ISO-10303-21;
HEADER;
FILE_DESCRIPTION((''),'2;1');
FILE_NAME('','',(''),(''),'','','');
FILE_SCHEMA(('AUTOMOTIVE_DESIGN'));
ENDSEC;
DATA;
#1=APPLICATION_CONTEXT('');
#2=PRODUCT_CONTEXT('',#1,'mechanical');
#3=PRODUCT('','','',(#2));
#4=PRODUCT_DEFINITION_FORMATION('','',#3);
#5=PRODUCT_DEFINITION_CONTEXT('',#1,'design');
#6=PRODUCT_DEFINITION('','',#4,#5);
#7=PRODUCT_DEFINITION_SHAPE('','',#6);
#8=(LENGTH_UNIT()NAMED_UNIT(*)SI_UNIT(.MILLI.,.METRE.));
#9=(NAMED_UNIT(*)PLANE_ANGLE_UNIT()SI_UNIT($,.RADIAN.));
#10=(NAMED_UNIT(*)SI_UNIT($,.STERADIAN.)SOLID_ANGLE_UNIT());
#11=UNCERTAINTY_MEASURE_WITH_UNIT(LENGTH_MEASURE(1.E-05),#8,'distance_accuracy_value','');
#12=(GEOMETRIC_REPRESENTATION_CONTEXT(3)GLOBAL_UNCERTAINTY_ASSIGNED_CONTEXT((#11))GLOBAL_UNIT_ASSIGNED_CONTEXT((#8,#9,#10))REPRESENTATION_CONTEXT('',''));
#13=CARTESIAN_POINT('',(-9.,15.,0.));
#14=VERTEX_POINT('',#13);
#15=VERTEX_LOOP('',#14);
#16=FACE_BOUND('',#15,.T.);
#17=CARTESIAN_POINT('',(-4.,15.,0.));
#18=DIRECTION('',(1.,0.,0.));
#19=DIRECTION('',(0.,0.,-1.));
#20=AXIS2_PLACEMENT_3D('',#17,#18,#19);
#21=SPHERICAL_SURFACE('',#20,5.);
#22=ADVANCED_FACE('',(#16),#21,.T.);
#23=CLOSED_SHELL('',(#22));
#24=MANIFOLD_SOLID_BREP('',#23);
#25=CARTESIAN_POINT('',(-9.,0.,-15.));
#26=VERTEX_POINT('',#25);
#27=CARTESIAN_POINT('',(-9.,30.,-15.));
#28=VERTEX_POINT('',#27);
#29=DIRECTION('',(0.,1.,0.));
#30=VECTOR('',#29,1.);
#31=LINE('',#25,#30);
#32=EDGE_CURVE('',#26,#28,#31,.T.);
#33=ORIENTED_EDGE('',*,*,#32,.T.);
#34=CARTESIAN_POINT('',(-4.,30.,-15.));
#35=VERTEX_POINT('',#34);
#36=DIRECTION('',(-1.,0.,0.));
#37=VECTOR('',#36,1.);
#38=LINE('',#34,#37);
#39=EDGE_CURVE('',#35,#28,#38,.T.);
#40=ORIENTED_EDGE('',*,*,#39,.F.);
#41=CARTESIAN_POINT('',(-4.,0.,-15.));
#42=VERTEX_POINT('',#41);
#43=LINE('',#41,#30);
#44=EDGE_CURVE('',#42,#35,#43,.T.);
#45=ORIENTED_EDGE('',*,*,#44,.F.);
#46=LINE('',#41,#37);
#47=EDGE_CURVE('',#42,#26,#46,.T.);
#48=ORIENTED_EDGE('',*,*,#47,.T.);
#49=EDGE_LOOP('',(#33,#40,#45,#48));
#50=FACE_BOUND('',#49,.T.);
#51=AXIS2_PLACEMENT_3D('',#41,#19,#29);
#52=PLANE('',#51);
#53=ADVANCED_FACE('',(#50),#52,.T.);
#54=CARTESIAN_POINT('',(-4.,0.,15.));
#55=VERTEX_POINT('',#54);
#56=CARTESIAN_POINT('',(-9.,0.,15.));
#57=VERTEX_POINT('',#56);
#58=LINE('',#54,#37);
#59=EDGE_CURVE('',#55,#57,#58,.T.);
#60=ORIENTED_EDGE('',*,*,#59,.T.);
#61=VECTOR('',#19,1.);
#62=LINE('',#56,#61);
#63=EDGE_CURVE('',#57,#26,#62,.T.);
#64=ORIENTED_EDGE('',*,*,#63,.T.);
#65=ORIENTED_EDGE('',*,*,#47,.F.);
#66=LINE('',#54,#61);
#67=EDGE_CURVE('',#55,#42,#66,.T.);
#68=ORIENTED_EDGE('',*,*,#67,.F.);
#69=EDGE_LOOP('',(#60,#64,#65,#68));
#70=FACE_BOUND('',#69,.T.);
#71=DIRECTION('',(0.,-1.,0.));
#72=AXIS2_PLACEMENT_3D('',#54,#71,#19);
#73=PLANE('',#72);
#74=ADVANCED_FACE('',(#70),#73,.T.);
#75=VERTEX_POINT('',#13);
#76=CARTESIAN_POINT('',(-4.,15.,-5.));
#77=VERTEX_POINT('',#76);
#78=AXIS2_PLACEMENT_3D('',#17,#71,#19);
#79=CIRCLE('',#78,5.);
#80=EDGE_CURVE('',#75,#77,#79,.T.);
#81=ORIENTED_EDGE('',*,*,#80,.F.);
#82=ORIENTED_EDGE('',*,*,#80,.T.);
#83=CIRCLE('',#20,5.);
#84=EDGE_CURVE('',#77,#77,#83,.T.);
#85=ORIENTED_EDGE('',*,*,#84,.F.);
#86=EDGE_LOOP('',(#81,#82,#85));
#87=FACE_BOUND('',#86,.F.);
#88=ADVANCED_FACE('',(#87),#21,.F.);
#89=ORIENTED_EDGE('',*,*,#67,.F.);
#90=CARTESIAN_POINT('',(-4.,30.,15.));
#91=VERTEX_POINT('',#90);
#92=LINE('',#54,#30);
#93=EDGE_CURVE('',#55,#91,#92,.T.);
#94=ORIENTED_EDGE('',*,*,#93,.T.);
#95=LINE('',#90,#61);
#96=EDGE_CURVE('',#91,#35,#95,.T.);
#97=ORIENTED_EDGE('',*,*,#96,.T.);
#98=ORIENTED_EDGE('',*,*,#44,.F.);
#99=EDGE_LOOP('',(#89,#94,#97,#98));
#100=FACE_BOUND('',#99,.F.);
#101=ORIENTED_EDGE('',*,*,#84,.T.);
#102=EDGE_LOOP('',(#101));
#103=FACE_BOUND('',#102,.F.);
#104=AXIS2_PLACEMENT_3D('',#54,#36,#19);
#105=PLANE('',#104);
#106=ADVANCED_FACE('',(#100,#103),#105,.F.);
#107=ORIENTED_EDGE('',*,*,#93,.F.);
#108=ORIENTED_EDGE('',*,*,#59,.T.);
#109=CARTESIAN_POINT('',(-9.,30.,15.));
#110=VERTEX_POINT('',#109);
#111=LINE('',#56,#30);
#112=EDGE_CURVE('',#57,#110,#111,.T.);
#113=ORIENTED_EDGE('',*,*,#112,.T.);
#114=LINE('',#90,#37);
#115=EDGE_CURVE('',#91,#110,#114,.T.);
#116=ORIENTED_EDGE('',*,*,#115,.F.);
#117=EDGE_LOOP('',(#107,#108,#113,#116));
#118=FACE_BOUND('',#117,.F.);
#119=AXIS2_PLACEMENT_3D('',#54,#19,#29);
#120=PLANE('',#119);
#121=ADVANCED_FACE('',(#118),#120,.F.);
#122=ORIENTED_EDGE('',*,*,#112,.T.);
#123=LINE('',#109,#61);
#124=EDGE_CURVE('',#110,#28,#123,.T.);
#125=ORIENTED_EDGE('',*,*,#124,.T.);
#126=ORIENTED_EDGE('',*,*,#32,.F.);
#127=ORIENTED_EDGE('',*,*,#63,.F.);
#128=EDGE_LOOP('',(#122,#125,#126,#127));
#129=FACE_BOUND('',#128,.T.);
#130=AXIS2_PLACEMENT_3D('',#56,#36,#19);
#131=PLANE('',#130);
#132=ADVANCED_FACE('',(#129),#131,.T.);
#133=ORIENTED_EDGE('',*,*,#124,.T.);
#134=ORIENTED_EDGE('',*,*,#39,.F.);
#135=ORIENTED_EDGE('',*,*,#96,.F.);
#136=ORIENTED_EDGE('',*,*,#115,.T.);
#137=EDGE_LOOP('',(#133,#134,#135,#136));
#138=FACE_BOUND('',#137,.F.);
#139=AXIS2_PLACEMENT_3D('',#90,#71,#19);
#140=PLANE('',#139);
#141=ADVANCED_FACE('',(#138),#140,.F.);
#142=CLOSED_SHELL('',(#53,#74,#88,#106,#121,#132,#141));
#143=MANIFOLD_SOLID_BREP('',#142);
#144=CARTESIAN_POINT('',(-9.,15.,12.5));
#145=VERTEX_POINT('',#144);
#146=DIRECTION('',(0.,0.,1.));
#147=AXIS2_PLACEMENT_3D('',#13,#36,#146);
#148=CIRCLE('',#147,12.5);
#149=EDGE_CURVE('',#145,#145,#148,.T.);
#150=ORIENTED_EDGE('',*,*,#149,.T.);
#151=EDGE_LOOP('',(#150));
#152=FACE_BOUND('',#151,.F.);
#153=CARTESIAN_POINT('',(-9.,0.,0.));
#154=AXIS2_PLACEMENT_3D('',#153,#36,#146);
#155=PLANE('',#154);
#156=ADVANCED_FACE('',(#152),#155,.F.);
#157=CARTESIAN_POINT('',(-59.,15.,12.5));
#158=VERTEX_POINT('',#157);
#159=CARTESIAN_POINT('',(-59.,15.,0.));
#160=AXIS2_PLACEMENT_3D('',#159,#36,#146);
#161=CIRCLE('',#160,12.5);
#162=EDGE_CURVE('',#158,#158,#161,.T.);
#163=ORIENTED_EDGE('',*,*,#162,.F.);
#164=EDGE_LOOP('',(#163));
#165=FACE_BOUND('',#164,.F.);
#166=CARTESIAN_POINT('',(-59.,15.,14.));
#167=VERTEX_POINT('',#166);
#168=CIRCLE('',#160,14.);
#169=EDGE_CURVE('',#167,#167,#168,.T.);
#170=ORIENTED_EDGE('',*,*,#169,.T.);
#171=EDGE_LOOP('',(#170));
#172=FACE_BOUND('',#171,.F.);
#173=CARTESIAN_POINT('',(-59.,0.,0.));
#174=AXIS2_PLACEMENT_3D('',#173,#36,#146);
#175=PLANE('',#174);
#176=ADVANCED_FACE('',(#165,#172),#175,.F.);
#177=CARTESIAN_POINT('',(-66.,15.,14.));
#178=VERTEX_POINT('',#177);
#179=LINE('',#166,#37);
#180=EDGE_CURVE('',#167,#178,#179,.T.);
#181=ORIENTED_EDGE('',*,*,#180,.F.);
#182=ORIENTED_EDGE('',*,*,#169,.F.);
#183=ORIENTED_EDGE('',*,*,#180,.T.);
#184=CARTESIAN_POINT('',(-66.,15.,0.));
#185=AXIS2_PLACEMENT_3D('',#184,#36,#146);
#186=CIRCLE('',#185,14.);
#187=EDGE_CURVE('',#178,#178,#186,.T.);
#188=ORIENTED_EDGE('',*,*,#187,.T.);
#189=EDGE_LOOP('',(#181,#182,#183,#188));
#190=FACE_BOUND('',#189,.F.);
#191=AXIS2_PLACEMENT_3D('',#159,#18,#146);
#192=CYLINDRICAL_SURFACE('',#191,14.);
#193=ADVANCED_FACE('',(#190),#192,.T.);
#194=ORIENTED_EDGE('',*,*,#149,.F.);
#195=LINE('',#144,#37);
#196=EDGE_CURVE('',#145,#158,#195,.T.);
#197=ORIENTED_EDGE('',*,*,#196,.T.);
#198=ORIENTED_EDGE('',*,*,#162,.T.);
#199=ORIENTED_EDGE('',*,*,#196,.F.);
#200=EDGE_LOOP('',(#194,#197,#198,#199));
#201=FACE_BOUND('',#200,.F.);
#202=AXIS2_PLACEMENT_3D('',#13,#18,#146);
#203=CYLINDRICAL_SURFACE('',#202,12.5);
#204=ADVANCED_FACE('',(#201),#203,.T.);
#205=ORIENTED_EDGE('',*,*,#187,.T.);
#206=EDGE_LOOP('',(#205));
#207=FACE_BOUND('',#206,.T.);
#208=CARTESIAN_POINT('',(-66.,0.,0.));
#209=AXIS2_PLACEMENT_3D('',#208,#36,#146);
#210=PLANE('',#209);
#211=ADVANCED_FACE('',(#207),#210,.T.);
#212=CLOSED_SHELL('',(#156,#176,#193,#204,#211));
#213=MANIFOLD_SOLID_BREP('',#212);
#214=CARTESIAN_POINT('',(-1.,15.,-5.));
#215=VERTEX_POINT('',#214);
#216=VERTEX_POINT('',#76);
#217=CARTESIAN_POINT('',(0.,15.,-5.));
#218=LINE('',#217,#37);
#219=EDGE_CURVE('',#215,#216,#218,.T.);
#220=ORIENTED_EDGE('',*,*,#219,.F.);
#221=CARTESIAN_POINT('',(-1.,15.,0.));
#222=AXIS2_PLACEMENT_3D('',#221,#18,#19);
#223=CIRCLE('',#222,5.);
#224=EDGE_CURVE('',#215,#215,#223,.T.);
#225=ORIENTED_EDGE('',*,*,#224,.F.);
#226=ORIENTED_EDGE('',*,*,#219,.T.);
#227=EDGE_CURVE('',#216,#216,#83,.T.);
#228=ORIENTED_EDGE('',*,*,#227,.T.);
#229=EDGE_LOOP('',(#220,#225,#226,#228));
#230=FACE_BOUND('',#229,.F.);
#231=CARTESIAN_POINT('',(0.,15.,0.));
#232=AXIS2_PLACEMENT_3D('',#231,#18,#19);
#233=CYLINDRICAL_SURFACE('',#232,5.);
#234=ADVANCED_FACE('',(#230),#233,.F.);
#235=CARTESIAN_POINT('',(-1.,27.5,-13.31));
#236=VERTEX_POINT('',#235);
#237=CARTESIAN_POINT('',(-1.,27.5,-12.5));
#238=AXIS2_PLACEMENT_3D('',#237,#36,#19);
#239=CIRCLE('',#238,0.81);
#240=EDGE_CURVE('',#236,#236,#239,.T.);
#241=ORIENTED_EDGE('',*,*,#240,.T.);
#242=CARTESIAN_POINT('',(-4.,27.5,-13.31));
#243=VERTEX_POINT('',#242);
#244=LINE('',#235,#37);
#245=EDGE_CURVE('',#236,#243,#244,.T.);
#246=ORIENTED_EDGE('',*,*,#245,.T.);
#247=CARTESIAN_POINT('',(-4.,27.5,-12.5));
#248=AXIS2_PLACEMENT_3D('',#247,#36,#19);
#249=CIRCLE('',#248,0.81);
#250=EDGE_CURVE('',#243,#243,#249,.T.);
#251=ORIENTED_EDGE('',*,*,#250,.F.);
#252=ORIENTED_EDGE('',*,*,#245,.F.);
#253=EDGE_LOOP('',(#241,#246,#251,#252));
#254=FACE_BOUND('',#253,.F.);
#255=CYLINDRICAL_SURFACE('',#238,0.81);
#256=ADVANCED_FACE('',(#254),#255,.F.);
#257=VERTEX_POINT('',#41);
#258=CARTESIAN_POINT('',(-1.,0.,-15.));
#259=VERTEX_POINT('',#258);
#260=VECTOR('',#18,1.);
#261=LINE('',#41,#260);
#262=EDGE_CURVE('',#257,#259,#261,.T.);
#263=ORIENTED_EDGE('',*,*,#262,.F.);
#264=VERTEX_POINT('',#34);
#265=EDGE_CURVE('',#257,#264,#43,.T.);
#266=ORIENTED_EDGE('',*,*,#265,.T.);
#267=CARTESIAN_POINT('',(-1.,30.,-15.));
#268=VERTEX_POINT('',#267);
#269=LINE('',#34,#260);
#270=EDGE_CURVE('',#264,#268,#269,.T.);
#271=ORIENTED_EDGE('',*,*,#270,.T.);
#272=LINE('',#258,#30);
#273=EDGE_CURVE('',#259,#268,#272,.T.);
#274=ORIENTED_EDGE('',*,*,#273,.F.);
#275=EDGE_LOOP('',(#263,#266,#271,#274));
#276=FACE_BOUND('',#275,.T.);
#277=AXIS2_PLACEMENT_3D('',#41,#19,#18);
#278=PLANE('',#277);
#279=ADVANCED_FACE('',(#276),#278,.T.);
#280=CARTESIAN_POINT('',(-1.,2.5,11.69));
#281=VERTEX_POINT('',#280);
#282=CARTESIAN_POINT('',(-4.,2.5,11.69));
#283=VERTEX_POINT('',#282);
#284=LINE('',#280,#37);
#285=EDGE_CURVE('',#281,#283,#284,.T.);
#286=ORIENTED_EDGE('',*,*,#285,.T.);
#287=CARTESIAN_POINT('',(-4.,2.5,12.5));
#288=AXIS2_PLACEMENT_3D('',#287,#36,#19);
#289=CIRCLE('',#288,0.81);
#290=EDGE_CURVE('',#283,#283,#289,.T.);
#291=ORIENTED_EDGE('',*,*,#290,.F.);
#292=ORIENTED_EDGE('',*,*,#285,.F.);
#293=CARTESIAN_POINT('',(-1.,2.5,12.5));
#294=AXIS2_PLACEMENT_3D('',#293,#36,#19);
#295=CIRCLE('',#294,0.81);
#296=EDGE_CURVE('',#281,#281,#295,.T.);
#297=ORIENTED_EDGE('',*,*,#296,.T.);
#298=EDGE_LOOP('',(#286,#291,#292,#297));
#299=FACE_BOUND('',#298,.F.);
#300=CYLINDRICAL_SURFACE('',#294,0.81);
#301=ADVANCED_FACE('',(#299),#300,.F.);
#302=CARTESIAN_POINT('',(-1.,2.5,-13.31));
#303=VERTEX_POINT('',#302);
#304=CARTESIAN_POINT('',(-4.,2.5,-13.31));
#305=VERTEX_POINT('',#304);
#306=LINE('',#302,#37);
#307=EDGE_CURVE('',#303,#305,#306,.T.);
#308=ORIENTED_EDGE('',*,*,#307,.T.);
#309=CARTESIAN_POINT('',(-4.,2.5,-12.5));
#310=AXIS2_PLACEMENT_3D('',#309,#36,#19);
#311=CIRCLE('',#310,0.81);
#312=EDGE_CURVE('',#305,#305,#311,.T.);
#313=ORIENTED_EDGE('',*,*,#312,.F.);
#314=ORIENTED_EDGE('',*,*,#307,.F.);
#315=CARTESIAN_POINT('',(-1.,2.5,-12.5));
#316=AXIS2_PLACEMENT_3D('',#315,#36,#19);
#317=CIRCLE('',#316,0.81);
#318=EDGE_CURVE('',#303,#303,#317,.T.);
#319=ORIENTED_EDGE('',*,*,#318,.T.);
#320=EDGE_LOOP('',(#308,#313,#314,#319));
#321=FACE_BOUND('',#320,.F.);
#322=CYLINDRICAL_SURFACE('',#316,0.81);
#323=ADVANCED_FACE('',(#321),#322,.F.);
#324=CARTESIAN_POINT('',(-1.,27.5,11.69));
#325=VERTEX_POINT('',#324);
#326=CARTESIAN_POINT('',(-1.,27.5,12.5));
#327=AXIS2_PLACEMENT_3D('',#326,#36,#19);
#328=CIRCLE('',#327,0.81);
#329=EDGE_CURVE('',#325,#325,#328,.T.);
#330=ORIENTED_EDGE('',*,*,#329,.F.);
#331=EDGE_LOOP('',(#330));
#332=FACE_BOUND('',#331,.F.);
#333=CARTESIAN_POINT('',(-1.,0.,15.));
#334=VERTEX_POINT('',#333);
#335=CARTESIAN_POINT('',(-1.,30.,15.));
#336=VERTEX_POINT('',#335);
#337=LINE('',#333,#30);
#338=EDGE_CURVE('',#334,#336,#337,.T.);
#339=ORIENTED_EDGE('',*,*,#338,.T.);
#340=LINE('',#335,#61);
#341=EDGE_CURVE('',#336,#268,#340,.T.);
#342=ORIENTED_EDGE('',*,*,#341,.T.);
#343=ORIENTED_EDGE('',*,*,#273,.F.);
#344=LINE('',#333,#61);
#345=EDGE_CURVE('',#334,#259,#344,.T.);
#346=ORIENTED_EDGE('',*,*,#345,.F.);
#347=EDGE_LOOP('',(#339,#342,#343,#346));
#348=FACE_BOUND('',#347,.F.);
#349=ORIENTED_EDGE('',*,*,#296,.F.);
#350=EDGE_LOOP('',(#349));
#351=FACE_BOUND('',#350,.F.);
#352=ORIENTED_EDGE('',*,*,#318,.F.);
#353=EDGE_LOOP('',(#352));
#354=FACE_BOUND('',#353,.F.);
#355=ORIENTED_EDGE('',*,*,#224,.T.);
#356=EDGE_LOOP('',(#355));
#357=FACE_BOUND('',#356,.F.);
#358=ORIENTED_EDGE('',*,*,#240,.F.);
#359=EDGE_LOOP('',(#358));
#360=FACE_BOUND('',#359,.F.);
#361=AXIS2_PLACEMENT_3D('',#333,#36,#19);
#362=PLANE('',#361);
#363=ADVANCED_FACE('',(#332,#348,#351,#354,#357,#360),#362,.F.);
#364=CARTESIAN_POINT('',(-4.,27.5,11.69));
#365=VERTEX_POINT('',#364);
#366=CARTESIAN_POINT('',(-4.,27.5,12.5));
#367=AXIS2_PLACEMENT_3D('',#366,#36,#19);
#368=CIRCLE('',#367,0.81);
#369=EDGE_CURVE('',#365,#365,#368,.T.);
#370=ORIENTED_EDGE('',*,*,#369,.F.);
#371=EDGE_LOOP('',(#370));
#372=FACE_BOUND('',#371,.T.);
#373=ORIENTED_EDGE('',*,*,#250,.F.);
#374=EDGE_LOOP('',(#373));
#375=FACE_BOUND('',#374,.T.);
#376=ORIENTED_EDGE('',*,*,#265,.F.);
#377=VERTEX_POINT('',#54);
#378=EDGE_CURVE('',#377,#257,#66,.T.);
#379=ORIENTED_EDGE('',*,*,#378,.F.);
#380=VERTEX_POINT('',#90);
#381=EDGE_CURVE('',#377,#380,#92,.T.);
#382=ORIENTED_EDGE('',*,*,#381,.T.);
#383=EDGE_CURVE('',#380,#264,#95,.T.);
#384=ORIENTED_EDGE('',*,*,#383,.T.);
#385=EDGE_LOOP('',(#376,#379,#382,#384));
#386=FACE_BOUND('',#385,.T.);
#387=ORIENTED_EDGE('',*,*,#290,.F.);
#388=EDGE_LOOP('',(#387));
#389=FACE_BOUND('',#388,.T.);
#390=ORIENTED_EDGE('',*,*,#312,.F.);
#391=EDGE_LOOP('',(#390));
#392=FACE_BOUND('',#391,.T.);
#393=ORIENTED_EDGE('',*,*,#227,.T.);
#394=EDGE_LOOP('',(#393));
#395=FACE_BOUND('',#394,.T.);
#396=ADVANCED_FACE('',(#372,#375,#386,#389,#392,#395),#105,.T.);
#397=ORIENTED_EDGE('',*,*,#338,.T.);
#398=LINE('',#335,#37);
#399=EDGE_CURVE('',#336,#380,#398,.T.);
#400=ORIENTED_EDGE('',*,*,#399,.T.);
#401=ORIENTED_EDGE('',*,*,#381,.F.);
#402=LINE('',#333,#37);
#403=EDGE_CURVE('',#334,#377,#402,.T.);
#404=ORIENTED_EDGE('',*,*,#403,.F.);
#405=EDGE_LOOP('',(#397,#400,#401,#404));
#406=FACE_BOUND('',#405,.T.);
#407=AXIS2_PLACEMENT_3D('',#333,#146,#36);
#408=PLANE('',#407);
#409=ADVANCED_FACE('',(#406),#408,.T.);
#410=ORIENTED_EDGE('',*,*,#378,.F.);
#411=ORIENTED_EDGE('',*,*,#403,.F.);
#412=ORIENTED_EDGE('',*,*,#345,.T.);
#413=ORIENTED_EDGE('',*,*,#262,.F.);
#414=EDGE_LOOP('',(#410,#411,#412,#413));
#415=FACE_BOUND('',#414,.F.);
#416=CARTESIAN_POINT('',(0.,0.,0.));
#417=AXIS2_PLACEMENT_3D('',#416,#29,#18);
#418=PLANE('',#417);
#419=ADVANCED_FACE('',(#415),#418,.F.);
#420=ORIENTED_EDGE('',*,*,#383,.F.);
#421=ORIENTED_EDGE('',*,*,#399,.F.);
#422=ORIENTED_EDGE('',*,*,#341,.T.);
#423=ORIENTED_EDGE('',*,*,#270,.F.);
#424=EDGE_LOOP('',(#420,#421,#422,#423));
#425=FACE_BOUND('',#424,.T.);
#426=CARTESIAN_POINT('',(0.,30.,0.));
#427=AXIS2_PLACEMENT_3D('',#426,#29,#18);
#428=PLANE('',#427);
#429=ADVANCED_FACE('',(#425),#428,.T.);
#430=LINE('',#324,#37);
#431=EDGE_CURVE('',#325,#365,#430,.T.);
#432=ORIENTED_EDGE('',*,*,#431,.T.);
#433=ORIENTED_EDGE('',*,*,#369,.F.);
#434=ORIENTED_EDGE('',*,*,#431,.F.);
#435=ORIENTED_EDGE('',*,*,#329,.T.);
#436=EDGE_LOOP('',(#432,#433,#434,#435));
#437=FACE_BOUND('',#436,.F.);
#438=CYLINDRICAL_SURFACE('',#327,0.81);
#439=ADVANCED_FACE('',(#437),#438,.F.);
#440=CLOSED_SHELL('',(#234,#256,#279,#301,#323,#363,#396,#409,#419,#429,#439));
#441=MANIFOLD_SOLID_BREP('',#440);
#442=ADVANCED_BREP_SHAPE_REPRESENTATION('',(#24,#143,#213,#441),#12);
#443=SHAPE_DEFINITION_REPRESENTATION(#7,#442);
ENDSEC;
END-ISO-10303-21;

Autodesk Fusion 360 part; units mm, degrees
sketch "Sketch1" plane through (0, 0, 0) normal (0, 1, 0) x (1, 0, 0)
  line L0 (-1, -15) -> (-1, 15)
  line L1 (-1, -15) -> (-4, -15)
  line L2 (-4, -15) -> (-4, 15)
  line L3 (-4, 15) -> (-1, 15)
  dimension "d1" = 30
  dimension "d2" = 15
  dimension "d3" = 1
extrude "Extrude1" add sketch "Sketch1" along normal blind 30 makes body 1 in component "Component"
sketch "Sketch2" plane through (0, 0, 0) normal (1, 0, 0) x (0, 0, -1)
  line L0 (-15, 30) -> (15, 0) construction
  line L1 (15, 0) -> (-15, 0) construction
  line L2 (-15, 0) -> (15, 30) construction
  circle A0 centre (0, 15) radius 5
  dimension "d6" = 10
extrude "Extrude2" cut sketch "Sketch2" against normal blind 6 bodies 1 in component "Component"
extrude "Extrude1'" add 1 faces at (-4, 3.338, -0.1246) along direction (-1, 0, 0) blind 5 separate body on bodies 1 makes body 2 in component "Component'"
sketch "Sketch4" plane through (-9, 4.83, 8.5507) normal (-1, 0, 0) x (0, 0, 1)
  circle A0 centre (-8.5507, 10.17) radius 5
  line L0 (-23.5507, -4.83) -> (6.4493, -4.83)
  line L1 (6.4493, -4.83) -> (6.4493, 25.17)
  line L2 (6.4493, 25.17) -> (-23.5507, 25.17)
  line L3 (-23.5507, 25.17) -> (-23.5507, -4.83)
  circle A1 centre (-8.5507, 10.17) radius 5
extrude "Extrude2'" add sketch "Sketch4" against normal blind 5 contours A0 A1 bodies 2 in component "Component'"
sphere "SpherePrimitive1" cut diameter 10 placed x (0, 0, -1) y (0, 1, 0) z (1, 0, 0) at (-4, 15, 0) bodies 2 in component "Component'"
sphere "SpherePrimitive1'" add diameter 10 placed x (0, 0, -1) y (0, 1, 0) z (1, 0, 0) at (0, 12.467, -31.5642) separate body makes body 3 in component "Component''"
sketch "Sketch7" plane through (0, 30, 0) normal (0, 1, 0) x (-1, 0, 0)
  line L0 (4, 15) -> (4, -15)
  line L1 (4, -15) -> (9, -15)
  line L2 (9, -15) -> (9, 15)
  line L3 (9, 15) -> (4, 15)
  line L4 (4, 15) -> (9.3623, 10.5005)
  line L5 (9.3623, 10.5005) -> (9.3623, -10.5005)
  line L6 (9.3623, -10.5005) -> (4, -15)
  dimension "d28" = 7
  dimension "d29" = 130
  dimension "d30" = 130
sketch "Sketch9" plane through (-9, 0, 0) normal (-1, 0, 0) x (0, 0, 1)
  line L0 (-15, 0) -> (15, 0)
  line L1 (15, 0) -> (15, 30)
  line L2 (15, 30) -> (-15, 30)
  line L3 (-15, 30) -> (-15, 0)
  circle A0 centre (0, 15) radius 12.5
  dimension "d36" = 25
extrude "Extrude1''" add sketch "Sketch9" along normal blind 50 separate body contours A0 makes body 4 in component "Component'''"
sketch "Sketch10" plane through (-59, 0, 0) normal (-1, 0, 0) x (0, 0, 1)
  circle A0 centre (0, 15) radius 12.5
  circle A1 centre (0, 15) radius 14
  dimension "d39" = 28
extrude "Extrude2''" add sketch "Sketch10" along normal blind 7 contours A0 | A1 bodies 4 in component "Component'''"
sketch "Sketch11" plane through (-1, 0, 0) normal (1, 0, 0) x (0, 0, -1)
  circle A0 centre (0, 15) radius 5
  line L0 (-15, 0) -> (15, 0)
  line L1 (15, 0) -> (15, 30)
  line L2 (15, 30) -> (-15, 30)
  line L3 (-15, 30) -> (-15, 0)
hole "Hole1" at (-1, 27.5, 12.5) direction (-1, 0, 0) diameter 1.62 depth 5 tip angle 118 bodies 1 in component "Component"
hole "Hole2" at (-1, 27.5, -12.5) direction (-1, 0, 0) diameter 1.62 depth 5 tip angle 118 bodies 1 in component "Component"
hole "Hole3" at (-1, 2.5, 12.5) direction (-1, 0, 0) diameter 1.62 depth 5 tip angle 118 bodies 1 in component "Component"
hole "Hole4" at (-1, 2.5, -12.5) direction (-1, 0, 0) diameter 1.62 depth 5 tip angle 118 bodies 1 in component "Component"
component "Component" placed x (1, 0, 0) y (0, 1, 0) z (0, 0, 1) at (0, 0, 0)
component "Component'" placed x (1, 0, 0) y (0, 1, 0) z (0, 0, 1) at (0, 0, 0)
component "Component''" placed x (1, 0, 0) y (0, 1, 0) z (0, 0, 1) at (-4, 2.533, 31.5642)
component "Component'''" placed x (1, 0, 0) y (0, 1, 0) z (0, 0, 1) at (0, 0, 0)
